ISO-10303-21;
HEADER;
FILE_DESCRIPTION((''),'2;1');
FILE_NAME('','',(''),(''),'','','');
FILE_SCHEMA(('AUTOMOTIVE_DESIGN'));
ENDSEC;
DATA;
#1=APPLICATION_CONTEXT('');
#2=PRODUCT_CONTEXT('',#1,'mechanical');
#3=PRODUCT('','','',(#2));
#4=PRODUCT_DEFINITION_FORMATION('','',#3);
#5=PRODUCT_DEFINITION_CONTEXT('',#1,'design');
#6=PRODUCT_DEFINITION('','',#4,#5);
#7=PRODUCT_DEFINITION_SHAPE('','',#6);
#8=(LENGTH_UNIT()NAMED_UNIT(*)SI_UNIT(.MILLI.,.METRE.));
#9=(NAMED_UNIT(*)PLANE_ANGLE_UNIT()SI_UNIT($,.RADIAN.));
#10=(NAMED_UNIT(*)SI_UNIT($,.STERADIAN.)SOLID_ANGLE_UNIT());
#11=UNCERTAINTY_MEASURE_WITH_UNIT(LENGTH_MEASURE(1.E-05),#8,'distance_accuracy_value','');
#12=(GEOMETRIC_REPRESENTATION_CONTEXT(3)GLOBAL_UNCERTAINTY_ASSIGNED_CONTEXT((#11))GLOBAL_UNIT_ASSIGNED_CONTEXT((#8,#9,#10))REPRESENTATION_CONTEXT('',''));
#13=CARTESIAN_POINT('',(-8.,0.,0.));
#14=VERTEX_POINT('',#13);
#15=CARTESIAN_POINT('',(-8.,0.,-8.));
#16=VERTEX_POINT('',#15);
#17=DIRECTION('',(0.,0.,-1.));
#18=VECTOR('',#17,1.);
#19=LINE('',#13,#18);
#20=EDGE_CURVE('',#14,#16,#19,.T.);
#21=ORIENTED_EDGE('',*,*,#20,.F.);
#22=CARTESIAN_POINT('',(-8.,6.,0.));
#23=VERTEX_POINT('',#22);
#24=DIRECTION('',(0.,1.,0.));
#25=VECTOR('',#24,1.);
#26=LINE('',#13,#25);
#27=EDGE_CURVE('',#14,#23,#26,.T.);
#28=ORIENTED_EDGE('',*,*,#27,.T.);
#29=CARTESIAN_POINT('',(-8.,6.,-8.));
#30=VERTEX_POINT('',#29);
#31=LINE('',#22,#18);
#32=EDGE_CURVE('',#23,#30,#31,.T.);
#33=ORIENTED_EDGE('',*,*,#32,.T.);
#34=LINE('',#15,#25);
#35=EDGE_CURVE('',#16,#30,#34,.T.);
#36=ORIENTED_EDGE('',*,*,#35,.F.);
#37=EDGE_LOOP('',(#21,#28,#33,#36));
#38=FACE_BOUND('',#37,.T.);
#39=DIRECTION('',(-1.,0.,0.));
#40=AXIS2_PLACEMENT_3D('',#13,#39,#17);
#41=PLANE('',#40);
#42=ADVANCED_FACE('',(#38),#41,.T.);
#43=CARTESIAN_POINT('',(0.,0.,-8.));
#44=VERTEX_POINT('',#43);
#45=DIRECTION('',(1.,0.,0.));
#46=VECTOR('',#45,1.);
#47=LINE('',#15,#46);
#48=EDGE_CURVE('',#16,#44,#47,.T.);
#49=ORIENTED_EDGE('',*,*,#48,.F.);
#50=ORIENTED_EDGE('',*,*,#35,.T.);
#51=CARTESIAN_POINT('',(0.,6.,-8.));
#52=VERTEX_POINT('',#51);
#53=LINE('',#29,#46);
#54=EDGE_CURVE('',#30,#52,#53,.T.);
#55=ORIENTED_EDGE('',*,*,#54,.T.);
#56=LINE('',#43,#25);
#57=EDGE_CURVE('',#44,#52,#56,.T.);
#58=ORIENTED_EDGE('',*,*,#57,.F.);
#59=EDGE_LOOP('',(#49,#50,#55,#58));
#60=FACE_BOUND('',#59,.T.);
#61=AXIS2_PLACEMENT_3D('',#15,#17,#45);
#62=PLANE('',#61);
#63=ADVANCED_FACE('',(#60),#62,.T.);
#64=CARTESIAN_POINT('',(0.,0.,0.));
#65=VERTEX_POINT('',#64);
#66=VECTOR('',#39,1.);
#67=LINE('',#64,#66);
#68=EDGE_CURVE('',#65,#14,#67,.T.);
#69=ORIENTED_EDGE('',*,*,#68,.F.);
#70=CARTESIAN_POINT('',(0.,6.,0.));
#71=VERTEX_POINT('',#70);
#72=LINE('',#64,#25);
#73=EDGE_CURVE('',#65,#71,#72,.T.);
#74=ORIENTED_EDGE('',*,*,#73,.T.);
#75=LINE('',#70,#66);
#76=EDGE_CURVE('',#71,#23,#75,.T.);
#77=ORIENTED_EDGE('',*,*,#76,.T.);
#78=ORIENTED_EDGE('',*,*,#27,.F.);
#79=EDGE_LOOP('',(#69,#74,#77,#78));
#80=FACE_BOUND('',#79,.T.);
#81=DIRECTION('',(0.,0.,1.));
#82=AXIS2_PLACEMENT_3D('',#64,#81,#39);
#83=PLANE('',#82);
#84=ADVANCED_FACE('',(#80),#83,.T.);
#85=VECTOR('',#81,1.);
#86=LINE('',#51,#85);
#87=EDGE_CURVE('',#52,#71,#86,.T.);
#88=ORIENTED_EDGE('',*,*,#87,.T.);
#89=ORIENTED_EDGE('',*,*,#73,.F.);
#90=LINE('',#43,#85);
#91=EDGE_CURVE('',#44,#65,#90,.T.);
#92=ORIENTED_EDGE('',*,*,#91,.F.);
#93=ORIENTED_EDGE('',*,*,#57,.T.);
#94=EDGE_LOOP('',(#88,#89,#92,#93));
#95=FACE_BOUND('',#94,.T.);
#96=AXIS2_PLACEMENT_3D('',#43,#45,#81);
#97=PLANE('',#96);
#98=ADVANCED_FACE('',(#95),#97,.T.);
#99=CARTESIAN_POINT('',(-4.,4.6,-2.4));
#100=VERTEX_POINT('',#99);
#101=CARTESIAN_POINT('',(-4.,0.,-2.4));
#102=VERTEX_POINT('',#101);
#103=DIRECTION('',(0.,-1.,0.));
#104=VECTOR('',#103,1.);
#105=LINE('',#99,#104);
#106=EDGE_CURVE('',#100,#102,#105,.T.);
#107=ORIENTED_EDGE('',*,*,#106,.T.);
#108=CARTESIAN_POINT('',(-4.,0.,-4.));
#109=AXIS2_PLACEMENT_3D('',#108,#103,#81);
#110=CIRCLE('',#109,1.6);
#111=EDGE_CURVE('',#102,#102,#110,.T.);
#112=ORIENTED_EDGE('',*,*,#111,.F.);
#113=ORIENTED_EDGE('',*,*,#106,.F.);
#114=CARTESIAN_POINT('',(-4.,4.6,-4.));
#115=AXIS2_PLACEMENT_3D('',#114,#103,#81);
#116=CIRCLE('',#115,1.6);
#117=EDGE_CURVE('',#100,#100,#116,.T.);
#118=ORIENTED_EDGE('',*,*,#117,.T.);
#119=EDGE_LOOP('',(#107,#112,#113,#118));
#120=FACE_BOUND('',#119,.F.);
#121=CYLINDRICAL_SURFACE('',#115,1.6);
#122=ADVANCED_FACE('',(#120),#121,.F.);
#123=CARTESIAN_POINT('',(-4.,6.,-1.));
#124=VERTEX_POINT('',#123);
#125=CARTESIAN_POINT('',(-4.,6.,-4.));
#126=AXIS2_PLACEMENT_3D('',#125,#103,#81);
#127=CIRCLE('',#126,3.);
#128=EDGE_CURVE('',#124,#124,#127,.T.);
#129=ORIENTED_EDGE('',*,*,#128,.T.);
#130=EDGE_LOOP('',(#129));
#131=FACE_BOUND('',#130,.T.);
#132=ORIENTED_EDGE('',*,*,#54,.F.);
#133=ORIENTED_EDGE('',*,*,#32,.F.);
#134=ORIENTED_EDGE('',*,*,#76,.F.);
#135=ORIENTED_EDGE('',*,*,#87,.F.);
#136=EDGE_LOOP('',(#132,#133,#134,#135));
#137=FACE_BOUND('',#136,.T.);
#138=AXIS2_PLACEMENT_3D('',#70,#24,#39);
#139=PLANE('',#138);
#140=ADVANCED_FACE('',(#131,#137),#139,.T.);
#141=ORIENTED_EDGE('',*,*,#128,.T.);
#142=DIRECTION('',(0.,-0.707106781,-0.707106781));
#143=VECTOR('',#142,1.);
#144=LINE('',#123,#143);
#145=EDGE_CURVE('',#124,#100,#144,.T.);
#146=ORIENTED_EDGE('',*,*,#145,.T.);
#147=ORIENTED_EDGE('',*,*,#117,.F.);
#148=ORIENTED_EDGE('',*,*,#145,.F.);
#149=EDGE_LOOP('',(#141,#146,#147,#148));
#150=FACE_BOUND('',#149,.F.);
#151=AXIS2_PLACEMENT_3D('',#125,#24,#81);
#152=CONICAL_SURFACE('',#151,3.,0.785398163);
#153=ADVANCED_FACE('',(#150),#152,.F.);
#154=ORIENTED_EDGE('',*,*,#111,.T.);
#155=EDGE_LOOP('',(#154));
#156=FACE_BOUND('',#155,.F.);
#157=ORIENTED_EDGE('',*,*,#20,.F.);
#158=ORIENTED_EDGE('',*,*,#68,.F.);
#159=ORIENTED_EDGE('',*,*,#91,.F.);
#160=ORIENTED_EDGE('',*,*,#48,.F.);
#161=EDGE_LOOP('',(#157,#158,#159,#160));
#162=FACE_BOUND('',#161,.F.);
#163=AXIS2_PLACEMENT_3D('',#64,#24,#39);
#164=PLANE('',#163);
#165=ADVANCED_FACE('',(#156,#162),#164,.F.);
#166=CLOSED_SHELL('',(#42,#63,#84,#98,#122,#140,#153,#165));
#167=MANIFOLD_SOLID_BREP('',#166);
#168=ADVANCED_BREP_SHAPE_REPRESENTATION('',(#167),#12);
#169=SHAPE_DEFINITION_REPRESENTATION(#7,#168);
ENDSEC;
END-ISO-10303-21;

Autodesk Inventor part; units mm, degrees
ref_plane "YZ Plane" through (0, 0, 0) normal (1, 0, 0) x (0, 1, 0)
ref_plane "XZ Plane" through (0, 0, 0) normal (0, 1, 0) x (-1, 0, 0)
ref_plane "XY Plane" through (0, 0, 0) normal (0, 0, 1) x (1, 0, 0)
sketch "Эскиз1" plane through (0, 0, 0) normal (0, 1, 0) x (-1, 0, 0)
  line L0 (0, 0) -> (8, 0)
  line L1 (8, 0) -> (8, -8)
  line L2 (8, -8) -> (0, -8)
  line L3 (0, -8) -> (0, 0)
  dimension "d0" = 8
  dimension "d1" = 8
extrude "Выдавливание1" add sketch "Эскиз1" along normal blind 6
sketch "Эскиз2" plane through (0, 6, 0) normal (0, 1, 0) x (1, 0, 0)
  line L0 (-8, 0) -> (0, 0) projected
  line L1 (-4, 0) -> (-4, 8)
  line L2 (0, 8) -> (-8, 8) projected
  point P0 (-4, 4)
hole "Отверстие1" at (-4, 6, -4) direction (0, -1, 0) diameter 3.2 end through all countersink diameter 6 countersink angle 90
properties part number "Тестовая модель (винты и гайки)"
